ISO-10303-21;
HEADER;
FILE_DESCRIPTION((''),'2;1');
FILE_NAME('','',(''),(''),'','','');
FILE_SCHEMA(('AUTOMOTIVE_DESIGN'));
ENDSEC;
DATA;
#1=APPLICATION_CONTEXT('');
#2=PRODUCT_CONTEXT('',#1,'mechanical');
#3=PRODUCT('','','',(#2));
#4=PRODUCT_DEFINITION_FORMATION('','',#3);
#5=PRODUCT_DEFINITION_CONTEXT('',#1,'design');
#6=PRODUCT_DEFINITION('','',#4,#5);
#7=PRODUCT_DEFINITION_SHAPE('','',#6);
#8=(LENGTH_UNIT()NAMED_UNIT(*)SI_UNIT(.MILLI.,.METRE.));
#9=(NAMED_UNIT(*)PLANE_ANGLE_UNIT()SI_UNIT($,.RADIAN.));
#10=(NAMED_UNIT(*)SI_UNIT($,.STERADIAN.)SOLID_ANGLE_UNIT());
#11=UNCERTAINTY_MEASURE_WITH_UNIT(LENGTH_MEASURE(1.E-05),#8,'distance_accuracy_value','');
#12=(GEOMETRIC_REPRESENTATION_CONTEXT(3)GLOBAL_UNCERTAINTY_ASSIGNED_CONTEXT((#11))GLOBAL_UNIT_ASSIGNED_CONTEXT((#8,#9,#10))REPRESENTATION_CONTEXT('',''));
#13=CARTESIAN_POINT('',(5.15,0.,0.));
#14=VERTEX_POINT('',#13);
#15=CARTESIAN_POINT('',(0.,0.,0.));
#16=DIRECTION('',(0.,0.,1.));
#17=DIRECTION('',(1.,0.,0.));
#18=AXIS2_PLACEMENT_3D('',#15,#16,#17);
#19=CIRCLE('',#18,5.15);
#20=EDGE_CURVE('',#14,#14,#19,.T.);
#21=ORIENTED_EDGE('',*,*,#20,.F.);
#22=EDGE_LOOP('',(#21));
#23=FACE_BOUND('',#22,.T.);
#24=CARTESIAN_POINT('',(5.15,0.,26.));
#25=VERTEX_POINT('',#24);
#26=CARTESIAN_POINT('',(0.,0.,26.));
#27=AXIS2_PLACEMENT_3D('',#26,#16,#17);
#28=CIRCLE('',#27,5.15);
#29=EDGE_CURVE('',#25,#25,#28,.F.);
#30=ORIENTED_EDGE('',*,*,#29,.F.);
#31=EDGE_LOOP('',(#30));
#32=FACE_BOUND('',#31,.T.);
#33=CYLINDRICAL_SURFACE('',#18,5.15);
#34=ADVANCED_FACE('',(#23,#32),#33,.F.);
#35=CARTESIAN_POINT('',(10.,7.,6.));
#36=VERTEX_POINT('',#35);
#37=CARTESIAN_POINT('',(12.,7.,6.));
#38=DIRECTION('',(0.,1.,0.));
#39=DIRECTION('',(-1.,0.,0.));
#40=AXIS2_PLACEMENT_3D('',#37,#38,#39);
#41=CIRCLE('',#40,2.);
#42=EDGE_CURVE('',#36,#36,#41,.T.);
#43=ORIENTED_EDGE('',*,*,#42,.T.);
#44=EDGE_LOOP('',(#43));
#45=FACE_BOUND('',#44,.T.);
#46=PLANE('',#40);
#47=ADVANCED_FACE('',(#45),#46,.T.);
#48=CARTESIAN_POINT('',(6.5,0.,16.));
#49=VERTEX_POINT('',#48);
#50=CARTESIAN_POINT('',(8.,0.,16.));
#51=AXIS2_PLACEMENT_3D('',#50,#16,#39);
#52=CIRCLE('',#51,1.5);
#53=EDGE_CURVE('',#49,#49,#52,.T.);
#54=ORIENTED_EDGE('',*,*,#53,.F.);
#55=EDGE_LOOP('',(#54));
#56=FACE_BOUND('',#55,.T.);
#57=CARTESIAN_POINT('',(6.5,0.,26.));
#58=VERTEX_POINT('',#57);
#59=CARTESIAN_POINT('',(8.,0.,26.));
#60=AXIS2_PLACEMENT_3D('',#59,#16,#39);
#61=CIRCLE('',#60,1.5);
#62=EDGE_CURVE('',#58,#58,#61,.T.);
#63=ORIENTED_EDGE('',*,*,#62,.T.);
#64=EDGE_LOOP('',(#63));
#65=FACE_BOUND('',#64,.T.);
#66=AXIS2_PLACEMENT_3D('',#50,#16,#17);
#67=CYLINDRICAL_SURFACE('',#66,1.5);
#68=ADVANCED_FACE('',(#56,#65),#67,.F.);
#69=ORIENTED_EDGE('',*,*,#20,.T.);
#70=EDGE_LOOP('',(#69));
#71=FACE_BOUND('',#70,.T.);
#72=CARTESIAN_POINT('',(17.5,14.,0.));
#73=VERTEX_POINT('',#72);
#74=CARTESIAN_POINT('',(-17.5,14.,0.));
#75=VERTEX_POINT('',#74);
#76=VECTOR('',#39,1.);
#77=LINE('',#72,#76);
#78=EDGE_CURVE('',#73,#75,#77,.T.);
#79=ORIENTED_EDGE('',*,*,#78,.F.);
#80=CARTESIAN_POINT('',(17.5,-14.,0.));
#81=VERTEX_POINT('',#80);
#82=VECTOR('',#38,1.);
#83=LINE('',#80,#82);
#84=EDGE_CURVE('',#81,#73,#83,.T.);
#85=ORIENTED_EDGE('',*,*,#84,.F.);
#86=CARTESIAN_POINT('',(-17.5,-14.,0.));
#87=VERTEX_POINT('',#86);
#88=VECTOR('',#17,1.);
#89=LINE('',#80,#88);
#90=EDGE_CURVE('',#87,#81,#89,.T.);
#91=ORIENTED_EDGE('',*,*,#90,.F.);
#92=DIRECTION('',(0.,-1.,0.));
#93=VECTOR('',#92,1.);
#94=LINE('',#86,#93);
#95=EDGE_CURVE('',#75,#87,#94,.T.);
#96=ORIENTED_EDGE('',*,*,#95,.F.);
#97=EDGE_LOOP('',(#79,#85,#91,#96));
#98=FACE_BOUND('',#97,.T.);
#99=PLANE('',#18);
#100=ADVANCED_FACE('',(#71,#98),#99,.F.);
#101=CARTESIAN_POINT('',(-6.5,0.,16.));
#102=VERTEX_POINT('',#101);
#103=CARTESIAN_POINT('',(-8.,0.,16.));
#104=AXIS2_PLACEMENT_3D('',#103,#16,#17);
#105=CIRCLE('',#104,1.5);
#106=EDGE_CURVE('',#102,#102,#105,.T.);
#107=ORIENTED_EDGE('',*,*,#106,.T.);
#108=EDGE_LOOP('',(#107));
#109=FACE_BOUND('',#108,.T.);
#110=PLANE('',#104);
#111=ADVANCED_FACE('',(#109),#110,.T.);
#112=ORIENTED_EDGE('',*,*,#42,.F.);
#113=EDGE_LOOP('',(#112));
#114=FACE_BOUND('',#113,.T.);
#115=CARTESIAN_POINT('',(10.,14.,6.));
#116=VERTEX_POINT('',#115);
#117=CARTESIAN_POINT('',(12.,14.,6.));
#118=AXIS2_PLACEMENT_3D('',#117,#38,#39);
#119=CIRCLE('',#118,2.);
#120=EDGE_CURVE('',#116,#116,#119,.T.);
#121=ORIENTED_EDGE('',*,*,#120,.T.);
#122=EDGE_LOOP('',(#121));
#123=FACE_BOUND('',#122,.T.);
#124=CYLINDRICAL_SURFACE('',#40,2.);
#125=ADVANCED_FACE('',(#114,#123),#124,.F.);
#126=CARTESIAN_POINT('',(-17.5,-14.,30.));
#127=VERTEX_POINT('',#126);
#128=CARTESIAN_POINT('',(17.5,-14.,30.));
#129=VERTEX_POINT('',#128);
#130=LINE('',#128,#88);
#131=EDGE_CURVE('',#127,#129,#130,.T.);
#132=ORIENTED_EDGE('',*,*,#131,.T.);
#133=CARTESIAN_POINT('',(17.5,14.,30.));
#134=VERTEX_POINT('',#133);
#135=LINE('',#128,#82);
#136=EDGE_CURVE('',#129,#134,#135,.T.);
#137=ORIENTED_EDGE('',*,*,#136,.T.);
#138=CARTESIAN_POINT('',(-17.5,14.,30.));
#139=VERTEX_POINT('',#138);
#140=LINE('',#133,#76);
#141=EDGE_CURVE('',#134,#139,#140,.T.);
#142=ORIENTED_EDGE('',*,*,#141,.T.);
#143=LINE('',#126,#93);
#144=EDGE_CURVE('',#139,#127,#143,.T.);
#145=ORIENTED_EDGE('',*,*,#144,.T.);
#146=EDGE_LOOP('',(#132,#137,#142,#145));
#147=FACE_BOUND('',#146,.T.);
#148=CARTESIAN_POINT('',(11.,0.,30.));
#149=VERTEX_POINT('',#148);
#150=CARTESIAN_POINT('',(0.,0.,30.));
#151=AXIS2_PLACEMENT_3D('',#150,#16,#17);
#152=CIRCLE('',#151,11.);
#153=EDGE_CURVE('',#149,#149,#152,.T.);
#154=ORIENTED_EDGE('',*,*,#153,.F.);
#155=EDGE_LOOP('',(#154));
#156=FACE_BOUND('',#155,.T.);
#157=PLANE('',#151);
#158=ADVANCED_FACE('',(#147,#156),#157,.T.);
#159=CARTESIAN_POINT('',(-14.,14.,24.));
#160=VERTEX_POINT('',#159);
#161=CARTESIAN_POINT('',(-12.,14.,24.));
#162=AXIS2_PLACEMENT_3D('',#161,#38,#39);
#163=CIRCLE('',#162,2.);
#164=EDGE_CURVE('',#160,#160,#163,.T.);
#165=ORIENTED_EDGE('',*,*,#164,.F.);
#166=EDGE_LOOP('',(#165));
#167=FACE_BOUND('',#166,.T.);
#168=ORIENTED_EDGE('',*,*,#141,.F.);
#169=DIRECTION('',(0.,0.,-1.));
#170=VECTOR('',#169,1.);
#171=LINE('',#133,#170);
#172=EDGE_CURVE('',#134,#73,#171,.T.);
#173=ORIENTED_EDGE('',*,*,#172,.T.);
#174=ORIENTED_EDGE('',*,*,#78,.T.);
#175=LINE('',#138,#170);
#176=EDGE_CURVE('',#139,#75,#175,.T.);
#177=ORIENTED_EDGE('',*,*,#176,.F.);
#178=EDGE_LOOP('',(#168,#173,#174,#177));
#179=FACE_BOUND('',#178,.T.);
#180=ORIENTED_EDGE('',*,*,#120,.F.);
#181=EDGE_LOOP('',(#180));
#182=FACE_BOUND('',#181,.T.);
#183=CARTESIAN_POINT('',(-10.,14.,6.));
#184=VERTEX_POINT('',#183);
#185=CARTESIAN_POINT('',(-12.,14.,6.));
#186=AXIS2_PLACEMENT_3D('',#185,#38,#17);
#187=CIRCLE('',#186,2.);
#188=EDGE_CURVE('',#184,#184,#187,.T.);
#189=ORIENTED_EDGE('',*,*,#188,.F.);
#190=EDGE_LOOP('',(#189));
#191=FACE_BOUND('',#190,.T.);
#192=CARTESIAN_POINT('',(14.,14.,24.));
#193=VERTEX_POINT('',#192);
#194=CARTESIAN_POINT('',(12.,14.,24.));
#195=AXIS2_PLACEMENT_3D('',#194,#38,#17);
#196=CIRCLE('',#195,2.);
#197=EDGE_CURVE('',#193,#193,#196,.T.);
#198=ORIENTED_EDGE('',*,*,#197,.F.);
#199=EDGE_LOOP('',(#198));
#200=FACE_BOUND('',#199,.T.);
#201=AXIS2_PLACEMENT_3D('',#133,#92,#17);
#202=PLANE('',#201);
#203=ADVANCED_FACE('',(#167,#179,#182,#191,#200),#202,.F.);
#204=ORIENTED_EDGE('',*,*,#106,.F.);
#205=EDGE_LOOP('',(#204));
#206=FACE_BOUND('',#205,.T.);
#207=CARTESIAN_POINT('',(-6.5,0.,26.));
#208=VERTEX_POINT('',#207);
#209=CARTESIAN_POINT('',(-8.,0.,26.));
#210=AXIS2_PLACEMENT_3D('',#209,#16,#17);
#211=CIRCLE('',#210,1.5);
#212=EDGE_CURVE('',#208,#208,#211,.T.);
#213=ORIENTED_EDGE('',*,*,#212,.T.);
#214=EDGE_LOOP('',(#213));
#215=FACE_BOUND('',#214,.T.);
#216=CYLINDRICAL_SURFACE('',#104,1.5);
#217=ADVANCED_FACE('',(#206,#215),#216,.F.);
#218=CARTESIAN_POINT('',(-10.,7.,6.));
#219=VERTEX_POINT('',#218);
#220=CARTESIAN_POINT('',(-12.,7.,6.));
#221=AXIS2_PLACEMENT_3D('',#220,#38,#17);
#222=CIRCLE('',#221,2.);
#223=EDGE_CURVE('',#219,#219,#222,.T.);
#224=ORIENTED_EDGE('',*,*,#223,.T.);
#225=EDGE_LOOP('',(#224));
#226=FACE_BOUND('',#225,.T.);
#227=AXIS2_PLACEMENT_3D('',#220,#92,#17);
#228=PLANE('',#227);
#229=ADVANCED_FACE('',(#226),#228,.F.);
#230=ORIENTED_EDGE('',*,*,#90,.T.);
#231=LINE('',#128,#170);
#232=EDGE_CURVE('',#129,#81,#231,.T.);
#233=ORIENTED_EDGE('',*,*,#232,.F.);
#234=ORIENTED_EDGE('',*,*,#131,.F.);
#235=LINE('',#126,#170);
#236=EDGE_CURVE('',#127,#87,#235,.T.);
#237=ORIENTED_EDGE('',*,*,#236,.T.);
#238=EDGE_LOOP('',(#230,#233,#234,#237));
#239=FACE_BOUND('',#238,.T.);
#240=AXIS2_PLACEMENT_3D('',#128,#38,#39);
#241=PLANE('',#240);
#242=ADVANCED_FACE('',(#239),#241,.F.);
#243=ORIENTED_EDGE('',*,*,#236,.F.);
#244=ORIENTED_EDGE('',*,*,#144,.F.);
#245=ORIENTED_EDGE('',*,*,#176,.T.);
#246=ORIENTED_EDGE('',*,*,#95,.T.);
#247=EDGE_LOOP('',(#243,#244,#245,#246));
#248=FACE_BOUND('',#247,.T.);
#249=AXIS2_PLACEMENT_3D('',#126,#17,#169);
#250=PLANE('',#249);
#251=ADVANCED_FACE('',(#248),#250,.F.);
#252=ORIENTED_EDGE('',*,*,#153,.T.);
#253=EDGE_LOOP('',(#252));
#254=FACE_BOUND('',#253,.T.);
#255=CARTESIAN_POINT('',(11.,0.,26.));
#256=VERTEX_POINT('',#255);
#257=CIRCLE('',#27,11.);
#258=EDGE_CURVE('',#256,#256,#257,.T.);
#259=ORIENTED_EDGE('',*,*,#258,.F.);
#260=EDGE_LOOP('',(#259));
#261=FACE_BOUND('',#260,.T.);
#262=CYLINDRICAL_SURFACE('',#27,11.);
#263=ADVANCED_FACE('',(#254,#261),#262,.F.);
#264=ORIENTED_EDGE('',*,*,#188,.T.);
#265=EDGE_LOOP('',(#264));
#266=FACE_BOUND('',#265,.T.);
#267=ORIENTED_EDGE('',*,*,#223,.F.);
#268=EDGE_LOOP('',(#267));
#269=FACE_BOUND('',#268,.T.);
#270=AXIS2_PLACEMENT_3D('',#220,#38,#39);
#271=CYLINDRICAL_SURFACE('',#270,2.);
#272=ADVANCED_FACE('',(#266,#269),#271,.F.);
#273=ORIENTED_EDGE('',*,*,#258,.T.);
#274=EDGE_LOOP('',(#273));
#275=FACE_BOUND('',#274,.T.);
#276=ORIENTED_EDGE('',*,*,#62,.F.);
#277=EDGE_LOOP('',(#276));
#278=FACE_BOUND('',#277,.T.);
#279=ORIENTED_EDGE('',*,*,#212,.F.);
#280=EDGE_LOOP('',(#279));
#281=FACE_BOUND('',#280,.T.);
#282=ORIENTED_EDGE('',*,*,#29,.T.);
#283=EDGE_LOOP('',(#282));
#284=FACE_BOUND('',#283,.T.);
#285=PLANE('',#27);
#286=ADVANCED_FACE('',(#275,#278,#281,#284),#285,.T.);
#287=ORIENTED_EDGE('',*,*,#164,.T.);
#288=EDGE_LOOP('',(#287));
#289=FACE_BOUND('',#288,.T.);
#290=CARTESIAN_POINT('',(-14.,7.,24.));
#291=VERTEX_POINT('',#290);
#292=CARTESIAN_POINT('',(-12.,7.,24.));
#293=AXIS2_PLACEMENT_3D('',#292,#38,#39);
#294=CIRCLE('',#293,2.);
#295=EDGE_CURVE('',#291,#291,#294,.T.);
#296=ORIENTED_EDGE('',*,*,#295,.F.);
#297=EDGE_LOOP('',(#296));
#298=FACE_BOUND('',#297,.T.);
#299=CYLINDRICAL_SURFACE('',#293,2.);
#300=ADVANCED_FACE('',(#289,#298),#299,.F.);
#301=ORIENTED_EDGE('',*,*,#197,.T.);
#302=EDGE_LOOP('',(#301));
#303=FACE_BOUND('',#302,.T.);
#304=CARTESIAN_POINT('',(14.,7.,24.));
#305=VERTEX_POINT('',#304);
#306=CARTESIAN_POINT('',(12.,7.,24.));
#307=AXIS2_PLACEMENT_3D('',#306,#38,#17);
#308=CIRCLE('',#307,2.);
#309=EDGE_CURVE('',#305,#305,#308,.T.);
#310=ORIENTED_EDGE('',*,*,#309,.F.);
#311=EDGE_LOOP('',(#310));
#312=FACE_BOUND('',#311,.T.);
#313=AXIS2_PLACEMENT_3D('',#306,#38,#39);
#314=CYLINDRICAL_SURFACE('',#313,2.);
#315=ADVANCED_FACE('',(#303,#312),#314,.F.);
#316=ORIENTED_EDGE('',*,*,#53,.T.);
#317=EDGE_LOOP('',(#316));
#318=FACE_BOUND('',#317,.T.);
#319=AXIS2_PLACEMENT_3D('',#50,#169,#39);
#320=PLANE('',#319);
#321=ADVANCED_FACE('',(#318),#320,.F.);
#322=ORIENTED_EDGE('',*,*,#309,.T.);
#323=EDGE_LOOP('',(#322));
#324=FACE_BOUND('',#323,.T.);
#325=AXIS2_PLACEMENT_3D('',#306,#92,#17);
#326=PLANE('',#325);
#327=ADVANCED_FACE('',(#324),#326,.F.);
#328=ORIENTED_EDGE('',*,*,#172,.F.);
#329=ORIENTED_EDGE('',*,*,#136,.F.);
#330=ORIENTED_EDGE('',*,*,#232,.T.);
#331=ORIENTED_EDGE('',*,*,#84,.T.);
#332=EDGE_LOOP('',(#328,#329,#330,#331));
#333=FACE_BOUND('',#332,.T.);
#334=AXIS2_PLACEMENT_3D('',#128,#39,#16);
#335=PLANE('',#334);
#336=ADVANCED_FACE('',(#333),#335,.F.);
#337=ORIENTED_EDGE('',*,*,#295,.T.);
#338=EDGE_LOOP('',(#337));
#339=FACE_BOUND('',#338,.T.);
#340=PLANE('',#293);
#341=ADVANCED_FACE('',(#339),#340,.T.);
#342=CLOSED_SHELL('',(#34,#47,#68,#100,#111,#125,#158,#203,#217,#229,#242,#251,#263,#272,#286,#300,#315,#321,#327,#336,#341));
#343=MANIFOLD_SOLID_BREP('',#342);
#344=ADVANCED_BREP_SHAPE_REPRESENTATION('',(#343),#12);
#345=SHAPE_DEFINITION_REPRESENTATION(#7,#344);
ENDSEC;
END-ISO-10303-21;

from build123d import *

# Parameters (mm, degrees)
ESBO_O1_W                = 35
ESBO_O1_H                = 28
RESSALTO_EXTRUS_O1_DEPTH = 30
ESBO_O2_R                = 5.15
CORTE_EXTRUS_O1_DEPTH    = 31
ESBO_O3_R                = 11
CORTE_EXTRUS_O2_DEPTH    = 4
ESBO_O4_R                = 1.5
CORTE_EXTRUS_O3_DEPTH    = 10
ESBO_O6_R                = 2
CORTE_EXTRUS_O4_DEPTH    = 7


with BuildPart() as part:
    # Esboço1 → Ressalto-extrusão1 (new body)
    with BuildSketch(Plane.XY):
        Rectangle(ESBO_O1_W, ESBO_O1_H)
    extrude(amount=RESSALTO_EXTRUS_O1_DEPTH)

    # Esboço2 → Corte-extrusão1 (cut, through all)
    with BuildSketch(Plane.XY.offset(30)):
        Circle(ESBO_O2_R)
    extrude(amount=-CORTE_EXTRUS_O1_DEPTH, mode=Mode.SUBTRACT)

    # Esboço3 → Corte-extrusão2 (cut)
    with BuildSketch(Plane.XY.offset(30)):
        Circle(ESBO_O3_R)
    extrude(amount=-CORTE_EXTRUS_O2_DEPTH, mode=Mode.SUBTRACT)

    # Esboço4 → Corte-extrusão3 (cut)
    with BuildSketch(Plane.XY.offset(26)):
        with Locations((-8, 0)):
            Circle(ESBO_O4_R)
        with Locations((8, 0)):
            Circle(ESBO_O4_R)
    extrude(amount=-CORTE_EXTRUS_O3_DEPTH, mode=Mode.SUBTRACT)

    # Esboço6 → Corte-extrusão4 (cut)
    with BuildSketch(Plane(origin=(0, 14, 0), x_dir=(1, 0, 0), z_dir=(0, 1, 0))):
        with Locations((-12, -24)):
            Circle(ESBO_O6_R)
        with Locations((12, -24)):
            Circle(ESBO_O6_R)
        with Locations((12, -6)):
            Circle(ESBO_O6_R)
        with Locations((-12, -6)):
            Circle(ESBO_O6_R)
    extrude(amount=-CORTE_EXTRUS_O4_DEPTH, mode=Mode.SUBTRACT)


solid = part.part
